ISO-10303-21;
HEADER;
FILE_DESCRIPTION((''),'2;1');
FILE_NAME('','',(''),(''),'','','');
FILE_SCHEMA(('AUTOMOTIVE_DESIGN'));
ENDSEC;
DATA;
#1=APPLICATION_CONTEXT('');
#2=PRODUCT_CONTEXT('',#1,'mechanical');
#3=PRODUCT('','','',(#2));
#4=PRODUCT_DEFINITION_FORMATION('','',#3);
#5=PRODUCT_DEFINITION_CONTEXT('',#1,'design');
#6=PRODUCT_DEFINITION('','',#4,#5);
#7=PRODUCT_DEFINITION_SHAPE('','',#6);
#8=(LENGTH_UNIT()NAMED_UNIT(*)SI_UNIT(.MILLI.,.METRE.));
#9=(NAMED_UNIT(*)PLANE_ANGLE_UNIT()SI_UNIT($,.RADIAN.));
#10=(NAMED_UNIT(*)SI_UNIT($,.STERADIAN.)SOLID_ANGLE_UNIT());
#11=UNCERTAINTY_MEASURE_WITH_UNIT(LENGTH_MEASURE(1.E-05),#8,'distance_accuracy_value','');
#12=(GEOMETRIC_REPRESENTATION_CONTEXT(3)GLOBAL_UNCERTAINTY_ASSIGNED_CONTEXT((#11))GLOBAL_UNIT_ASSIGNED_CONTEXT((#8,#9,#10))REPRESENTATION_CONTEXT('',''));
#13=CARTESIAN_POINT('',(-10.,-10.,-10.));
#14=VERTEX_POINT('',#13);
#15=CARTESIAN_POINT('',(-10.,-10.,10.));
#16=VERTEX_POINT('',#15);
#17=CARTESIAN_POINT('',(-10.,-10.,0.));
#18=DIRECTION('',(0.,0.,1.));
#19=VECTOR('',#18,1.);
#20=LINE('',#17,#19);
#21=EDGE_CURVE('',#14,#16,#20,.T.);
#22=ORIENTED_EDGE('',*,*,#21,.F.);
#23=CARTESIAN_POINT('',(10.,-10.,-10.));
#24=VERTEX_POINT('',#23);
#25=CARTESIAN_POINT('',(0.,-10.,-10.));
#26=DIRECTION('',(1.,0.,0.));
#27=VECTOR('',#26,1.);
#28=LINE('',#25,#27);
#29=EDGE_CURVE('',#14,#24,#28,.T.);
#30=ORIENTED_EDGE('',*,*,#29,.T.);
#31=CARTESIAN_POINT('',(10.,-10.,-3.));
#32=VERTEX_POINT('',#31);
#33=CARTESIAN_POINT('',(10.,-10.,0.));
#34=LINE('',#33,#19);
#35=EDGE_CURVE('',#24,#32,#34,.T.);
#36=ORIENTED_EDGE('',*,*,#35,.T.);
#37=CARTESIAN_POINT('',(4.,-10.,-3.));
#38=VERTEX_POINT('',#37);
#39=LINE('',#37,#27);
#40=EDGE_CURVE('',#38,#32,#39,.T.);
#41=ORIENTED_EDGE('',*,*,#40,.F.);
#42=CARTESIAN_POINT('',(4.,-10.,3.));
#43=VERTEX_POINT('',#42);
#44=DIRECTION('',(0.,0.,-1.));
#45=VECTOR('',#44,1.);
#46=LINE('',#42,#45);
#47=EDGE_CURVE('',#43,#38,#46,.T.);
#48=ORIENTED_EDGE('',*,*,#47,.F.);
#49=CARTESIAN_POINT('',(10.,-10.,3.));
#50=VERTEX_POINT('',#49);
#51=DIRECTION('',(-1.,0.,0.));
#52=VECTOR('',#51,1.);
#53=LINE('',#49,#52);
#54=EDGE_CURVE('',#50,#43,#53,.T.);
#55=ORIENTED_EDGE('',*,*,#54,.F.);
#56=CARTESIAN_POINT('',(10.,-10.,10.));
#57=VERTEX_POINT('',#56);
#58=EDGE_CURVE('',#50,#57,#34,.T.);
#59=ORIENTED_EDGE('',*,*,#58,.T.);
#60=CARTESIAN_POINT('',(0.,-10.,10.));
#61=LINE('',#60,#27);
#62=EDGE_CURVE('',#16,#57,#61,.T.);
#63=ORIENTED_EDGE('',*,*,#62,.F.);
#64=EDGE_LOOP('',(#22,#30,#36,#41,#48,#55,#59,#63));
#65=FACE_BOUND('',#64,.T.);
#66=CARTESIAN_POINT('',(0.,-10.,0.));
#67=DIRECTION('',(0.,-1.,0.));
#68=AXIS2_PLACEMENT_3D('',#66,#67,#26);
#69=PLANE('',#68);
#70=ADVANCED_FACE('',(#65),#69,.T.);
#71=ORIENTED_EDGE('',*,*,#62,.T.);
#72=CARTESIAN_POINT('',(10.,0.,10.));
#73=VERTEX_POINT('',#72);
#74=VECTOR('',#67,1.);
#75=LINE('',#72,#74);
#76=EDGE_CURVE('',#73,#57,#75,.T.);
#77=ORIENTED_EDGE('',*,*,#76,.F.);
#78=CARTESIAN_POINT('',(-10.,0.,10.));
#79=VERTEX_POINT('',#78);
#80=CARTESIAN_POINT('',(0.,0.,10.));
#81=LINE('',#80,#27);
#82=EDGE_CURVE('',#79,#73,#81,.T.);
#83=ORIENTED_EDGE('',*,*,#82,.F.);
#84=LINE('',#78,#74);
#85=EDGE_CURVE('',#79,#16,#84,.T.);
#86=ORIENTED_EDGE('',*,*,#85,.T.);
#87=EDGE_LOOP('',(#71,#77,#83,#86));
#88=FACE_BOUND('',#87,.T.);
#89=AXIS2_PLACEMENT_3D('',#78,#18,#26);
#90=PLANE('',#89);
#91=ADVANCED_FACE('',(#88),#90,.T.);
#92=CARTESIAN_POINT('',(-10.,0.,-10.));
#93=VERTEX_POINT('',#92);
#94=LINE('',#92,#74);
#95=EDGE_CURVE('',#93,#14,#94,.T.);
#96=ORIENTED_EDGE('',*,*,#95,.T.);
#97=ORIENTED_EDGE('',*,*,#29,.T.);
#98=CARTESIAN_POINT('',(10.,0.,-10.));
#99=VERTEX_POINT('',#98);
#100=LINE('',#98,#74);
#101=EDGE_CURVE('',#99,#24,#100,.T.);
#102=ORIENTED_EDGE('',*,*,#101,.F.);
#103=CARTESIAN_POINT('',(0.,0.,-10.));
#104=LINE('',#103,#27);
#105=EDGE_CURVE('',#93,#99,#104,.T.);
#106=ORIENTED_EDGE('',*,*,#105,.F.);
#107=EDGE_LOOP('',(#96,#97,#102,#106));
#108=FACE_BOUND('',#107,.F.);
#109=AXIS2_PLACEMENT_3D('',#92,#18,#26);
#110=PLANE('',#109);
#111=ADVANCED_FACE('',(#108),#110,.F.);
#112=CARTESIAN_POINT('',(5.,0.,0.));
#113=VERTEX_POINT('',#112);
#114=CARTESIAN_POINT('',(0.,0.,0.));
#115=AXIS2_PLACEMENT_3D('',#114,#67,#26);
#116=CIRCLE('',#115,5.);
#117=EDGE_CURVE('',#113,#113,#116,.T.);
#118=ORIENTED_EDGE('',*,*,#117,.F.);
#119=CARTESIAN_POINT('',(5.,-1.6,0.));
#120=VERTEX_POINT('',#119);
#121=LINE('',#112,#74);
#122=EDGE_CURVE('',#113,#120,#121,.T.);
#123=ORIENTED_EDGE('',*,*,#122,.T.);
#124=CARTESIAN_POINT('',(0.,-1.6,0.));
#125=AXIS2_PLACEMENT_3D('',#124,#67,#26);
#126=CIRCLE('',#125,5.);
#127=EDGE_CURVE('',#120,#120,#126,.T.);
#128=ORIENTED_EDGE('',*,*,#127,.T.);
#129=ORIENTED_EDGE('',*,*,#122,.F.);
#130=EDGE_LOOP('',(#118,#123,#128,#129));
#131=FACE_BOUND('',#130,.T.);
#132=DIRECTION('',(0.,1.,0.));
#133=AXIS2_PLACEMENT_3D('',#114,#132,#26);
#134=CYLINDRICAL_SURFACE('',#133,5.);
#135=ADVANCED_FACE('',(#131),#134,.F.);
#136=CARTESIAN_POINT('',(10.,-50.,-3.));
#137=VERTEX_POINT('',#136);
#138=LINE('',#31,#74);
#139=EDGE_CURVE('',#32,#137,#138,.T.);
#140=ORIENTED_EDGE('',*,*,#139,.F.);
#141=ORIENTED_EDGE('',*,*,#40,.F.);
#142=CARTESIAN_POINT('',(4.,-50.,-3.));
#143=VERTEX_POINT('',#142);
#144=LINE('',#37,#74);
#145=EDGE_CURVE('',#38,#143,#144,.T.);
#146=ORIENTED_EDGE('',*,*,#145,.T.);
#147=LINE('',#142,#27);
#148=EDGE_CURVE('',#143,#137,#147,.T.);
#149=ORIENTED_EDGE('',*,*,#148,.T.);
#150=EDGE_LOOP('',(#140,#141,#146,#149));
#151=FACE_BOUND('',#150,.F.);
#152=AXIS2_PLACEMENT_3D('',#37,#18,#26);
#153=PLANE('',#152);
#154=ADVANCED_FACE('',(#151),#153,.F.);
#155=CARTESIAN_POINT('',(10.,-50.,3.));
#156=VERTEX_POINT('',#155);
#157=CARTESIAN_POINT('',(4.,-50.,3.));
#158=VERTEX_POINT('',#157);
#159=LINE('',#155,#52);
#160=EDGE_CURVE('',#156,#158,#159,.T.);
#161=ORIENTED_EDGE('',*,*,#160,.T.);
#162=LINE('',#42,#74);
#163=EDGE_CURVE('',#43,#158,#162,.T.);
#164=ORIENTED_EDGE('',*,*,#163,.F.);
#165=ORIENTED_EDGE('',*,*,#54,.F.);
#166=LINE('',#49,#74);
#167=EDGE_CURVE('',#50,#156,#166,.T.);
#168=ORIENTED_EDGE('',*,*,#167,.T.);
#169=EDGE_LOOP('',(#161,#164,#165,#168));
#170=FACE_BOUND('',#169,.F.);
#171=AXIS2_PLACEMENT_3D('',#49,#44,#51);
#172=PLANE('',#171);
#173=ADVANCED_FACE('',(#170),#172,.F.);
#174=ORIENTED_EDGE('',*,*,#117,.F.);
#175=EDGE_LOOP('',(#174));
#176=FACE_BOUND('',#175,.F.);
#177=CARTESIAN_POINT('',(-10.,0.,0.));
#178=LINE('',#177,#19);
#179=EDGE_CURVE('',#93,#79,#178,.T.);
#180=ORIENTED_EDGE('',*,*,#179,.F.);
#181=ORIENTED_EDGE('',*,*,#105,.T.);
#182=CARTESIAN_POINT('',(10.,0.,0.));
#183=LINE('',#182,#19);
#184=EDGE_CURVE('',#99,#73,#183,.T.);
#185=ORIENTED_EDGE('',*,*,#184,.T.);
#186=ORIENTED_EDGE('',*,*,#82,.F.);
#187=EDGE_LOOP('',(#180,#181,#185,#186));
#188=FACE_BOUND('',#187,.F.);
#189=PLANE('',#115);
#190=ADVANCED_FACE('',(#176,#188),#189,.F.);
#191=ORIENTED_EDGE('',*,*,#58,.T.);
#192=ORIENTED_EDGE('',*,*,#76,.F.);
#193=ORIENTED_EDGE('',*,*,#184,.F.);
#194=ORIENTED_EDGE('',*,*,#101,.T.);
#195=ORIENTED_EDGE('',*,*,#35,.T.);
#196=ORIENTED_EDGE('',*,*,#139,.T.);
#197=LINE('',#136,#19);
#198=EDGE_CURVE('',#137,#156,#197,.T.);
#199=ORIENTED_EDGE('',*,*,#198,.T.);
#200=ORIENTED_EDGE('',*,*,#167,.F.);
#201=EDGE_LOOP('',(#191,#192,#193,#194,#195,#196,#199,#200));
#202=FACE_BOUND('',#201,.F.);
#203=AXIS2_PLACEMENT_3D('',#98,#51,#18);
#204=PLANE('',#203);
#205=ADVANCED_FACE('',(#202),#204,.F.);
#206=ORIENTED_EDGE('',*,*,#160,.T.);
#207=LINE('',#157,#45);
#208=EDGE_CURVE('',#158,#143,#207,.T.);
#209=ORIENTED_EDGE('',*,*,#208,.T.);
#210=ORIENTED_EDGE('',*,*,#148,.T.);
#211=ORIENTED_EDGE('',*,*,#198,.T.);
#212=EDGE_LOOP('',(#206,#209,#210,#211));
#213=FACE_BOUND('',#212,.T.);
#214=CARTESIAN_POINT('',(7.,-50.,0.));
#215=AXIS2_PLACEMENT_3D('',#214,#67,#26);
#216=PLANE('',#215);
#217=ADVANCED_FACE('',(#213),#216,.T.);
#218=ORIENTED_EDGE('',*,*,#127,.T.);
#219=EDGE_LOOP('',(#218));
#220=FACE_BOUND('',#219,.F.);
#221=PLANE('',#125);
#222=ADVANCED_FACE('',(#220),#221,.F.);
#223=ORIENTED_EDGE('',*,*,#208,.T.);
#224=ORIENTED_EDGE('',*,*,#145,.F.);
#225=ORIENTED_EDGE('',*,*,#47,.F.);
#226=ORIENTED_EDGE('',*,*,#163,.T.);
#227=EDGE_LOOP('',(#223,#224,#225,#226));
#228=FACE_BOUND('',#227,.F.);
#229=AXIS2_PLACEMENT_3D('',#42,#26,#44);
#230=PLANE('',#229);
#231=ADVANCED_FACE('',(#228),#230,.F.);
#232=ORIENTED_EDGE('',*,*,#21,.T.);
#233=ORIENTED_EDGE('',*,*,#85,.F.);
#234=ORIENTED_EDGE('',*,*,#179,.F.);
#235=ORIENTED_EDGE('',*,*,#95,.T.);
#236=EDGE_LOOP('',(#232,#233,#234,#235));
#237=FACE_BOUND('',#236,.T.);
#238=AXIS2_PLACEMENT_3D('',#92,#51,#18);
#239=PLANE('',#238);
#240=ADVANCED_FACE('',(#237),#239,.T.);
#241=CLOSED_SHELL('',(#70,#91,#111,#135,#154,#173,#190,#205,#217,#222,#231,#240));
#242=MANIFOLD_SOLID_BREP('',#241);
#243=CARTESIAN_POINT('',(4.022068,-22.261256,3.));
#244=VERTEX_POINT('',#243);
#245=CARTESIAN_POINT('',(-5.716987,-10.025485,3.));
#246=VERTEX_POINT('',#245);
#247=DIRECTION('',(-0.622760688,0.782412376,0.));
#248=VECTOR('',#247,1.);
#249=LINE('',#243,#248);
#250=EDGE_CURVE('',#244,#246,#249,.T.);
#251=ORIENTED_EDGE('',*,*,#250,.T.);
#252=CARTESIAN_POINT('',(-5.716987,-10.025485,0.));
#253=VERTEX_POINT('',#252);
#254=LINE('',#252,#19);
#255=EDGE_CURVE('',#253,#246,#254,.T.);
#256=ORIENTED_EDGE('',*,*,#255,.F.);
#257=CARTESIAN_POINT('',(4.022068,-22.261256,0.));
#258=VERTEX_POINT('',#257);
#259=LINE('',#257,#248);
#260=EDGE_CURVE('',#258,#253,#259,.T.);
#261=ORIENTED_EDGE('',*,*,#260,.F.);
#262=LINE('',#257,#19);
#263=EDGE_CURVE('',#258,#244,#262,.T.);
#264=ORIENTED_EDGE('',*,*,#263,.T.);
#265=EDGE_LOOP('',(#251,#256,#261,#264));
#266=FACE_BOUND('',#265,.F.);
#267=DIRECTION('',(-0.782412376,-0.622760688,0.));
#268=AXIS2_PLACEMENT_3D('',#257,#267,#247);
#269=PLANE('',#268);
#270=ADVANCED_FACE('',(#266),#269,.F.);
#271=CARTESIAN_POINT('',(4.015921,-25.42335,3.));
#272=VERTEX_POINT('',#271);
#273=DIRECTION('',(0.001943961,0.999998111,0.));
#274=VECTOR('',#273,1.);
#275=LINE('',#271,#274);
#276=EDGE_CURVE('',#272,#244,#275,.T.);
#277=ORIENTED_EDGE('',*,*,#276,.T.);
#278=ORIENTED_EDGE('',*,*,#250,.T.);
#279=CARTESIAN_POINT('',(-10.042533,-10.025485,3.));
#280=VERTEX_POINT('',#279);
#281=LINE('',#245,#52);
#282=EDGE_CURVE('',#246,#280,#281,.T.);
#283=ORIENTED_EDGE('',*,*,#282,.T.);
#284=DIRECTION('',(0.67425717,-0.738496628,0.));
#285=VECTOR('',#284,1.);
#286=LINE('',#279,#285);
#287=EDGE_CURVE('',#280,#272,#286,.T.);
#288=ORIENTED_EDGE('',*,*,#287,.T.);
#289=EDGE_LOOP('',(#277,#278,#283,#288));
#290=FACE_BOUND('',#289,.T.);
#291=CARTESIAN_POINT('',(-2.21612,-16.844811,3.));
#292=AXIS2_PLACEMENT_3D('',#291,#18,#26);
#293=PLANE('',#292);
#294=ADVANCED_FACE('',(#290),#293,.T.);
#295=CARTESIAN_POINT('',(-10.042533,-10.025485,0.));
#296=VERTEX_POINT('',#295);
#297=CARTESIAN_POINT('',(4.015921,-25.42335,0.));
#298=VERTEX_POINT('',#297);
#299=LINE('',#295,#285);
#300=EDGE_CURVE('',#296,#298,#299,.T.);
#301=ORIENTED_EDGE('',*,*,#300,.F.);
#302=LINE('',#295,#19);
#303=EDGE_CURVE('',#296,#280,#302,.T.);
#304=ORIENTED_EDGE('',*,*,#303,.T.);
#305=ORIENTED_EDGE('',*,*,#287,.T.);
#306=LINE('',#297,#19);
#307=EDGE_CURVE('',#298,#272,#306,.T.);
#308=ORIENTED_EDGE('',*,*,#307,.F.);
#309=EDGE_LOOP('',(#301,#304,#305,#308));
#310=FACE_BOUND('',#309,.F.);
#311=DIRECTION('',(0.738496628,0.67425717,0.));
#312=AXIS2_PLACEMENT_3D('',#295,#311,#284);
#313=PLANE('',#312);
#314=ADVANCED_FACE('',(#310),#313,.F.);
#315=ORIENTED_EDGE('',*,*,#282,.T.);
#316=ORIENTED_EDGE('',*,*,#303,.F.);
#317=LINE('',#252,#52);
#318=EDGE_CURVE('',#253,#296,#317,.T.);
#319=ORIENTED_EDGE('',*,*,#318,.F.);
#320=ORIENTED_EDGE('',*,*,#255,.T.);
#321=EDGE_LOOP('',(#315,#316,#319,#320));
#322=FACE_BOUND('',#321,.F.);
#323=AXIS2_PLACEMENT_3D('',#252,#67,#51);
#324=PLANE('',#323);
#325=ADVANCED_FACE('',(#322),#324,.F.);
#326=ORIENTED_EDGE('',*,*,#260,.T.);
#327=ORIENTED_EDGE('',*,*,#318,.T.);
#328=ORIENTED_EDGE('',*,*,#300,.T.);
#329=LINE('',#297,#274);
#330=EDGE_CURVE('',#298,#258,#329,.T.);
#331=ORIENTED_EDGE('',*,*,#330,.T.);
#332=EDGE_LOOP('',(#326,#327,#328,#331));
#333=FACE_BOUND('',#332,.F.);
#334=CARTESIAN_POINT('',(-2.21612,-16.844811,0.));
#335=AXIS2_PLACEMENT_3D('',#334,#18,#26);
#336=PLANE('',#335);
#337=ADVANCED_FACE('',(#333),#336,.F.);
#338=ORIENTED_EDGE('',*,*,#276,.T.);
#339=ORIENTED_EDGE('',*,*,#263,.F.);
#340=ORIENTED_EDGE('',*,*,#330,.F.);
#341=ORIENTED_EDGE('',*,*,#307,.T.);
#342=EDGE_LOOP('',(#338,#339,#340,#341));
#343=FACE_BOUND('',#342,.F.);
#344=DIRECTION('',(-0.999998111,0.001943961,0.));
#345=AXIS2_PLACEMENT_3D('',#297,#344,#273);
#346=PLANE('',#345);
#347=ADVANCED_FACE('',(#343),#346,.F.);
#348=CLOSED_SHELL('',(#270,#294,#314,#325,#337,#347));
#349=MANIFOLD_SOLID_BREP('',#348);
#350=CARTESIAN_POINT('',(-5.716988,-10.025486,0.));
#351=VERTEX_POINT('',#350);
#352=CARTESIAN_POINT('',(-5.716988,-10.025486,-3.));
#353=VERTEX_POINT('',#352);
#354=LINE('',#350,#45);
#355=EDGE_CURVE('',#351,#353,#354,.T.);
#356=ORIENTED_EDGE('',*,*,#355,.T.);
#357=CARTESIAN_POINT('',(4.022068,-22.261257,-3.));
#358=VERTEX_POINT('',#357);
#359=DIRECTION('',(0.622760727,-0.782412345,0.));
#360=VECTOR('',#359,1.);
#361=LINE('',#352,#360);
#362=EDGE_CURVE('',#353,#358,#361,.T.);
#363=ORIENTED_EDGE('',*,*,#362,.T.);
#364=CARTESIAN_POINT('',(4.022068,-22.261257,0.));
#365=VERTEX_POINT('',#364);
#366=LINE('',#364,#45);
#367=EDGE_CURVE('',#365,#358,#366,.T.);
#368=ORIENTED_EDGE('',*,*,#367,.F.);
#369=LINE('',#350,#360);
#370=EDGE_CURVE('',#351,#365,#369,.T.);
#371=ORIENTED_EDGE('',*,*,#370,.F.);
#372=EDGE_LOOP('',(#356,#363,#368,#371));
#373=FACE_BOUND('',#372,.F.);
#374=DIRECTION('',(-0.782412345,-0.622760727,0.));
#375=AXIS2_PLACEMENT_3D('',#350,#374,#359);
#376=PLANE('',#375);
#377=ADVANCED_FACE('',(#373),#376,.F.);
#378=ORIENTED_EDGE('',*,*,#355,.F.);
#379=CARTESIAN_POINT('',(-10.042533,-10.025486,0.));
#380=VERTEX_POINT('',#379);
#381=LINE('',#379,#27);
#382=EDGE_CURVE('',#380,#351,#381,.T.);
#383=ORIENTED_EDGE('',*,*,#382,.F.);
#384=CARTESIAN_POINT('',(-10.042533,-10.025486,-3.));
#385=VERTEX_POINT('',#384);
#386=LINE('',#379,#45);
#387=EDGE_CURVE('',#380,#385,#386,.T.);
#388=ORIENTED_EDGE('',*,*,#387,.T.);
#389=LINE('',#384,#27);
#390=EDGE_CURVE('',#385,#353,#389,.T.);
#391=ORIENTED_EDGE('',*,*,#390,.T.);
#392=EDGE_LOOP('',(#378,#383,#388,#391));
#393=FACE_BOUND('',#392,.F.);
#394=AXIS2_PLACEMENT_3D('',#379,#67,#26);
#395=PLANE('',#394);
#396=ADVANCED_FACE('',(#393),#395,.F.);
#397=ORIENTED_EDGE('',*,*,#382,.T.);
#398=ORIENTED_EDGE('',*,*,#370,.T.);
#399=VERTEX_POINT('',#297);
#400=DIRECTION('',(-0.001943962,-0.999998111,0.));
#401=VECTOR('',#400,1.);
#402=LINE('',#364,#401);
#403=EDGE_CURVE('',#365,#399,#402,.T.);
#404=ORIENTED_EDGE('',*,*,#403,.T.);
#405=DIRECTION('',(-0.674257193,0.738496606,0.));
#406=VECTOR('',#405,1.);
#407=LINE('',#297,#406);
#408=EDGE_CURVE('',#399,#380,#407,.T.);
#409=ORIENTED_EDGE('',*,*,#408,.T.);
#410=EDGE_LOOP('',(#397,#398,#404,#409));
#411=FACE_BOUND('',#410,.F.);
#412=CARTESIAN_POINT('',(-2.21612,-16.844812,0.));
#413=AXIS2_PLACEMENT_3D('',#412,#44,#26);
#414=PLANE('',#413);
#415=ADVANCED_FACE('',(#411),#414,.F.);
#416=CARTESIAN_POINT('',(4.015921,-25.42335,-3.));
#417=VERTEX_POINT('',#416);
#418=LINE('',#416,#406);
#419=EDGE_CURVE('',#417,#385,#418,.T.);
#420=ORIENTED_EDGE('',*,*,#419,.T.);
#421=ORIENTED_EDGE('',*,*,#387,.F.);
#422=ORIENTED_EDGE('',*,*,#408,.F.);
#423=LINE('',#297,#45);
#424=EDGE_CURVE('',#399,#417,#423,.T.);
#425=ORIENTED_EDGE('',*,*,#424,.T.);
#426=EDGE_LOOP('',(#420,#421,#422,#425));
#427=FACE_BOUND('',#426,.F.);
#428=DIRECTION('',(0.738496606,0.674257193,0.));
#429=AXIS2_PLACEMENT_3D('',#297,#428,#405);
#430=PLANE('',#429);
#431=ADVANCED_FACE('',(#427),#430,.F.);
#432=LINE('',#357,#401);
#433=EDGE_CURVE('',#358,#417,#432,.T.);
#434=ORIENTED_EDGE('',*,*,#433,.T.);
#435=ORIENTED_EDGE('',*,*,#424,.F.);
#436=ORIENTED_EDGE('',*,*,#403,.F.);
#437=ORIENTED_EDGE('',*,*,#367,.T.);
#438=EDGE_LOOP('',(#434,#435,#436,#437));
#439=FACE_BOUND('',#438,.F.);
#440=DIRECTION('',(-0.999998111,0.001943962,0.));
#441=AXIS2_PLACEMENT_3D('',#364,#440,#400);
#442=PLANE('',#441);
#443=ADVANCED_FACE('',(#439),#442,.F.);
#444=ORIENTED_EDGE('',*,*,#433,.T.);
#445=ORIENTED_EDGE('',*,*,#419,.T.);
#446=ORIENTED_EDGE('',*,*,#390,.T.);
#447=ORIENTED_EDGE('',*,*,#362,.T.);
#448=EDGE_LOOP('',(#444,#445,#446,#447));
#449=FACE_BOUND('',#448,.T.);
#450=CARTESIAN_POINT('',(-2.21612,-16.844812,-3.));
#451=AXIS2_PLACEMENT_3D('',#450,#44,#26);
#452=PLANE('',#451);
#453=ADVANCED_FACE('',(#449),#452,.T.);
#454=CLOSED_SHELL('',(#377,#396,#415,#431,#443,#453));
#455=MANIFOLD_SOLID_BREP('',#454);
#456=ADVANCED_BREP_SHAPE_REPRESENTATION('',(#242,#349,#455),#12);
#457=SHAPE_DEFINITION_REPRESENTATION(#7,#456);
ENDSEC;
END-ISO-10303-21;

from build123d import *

# Parameters (mm, degrees)
F0_W     = 20
F0_H     = 20
F1_DEPTH = 10
F2_R     = 5
F3_DEPTH = 1.6
F5_DEPTH = 40
F7_DEPTH = 3
F8_DEPTH = 3


with BuildPart() as f1:
    # F0 (on Front) → F1 (new body)
    with BuildSketch(Plane.XZ):
        Rectangle(F0_W, F0_H)
    extrude(amount=F1_DEPTH)

    # F2 (on Front) → F3 (cut)
    with BuildSketch(Plane.XZ):
        Circle(F2_R)
    extrude(amount=F3_DEPTH, mode=Mode.SUBTRACT)

    # F4 (on face) → F5 (join)
    with BuildSketch(Plane.XZ.offset(10)):
        Polygon((10, -3), (10, 0), (10, 3), (4, 3), (4, -3), align=None)
    extrude(amount=F5_DEPTH)


with BuildPart() as f7:
    # F6 (on Top) → F7 (new body)
    with BuildSketch(Plane.XY):
        Polygon((4.015921, -25.42335), (4.022068, -22.261256), (-5.716987, -10.025485), (-10.042533, -10.025485), align=None)
    extrude(amount=F7_DEPTH)


with BuildPart() as f8:
    # F7_face (on face) → F8 (new body)
    with BuildSketch(Plane(origin=(-2.42975, -16.449823, 0), x_dir=(1, 0, 0), z_dir=(0, 0, -1))):
        Polygon((-7.612783, -6.424337), (-3.287238, -6.424337), (6.451818, 5.811434), (6.445671, 8.973527), align=None)
    extrude(amount=F8_DEPTH)


solid = Compound([f1.part, f7.part, f8.part])
